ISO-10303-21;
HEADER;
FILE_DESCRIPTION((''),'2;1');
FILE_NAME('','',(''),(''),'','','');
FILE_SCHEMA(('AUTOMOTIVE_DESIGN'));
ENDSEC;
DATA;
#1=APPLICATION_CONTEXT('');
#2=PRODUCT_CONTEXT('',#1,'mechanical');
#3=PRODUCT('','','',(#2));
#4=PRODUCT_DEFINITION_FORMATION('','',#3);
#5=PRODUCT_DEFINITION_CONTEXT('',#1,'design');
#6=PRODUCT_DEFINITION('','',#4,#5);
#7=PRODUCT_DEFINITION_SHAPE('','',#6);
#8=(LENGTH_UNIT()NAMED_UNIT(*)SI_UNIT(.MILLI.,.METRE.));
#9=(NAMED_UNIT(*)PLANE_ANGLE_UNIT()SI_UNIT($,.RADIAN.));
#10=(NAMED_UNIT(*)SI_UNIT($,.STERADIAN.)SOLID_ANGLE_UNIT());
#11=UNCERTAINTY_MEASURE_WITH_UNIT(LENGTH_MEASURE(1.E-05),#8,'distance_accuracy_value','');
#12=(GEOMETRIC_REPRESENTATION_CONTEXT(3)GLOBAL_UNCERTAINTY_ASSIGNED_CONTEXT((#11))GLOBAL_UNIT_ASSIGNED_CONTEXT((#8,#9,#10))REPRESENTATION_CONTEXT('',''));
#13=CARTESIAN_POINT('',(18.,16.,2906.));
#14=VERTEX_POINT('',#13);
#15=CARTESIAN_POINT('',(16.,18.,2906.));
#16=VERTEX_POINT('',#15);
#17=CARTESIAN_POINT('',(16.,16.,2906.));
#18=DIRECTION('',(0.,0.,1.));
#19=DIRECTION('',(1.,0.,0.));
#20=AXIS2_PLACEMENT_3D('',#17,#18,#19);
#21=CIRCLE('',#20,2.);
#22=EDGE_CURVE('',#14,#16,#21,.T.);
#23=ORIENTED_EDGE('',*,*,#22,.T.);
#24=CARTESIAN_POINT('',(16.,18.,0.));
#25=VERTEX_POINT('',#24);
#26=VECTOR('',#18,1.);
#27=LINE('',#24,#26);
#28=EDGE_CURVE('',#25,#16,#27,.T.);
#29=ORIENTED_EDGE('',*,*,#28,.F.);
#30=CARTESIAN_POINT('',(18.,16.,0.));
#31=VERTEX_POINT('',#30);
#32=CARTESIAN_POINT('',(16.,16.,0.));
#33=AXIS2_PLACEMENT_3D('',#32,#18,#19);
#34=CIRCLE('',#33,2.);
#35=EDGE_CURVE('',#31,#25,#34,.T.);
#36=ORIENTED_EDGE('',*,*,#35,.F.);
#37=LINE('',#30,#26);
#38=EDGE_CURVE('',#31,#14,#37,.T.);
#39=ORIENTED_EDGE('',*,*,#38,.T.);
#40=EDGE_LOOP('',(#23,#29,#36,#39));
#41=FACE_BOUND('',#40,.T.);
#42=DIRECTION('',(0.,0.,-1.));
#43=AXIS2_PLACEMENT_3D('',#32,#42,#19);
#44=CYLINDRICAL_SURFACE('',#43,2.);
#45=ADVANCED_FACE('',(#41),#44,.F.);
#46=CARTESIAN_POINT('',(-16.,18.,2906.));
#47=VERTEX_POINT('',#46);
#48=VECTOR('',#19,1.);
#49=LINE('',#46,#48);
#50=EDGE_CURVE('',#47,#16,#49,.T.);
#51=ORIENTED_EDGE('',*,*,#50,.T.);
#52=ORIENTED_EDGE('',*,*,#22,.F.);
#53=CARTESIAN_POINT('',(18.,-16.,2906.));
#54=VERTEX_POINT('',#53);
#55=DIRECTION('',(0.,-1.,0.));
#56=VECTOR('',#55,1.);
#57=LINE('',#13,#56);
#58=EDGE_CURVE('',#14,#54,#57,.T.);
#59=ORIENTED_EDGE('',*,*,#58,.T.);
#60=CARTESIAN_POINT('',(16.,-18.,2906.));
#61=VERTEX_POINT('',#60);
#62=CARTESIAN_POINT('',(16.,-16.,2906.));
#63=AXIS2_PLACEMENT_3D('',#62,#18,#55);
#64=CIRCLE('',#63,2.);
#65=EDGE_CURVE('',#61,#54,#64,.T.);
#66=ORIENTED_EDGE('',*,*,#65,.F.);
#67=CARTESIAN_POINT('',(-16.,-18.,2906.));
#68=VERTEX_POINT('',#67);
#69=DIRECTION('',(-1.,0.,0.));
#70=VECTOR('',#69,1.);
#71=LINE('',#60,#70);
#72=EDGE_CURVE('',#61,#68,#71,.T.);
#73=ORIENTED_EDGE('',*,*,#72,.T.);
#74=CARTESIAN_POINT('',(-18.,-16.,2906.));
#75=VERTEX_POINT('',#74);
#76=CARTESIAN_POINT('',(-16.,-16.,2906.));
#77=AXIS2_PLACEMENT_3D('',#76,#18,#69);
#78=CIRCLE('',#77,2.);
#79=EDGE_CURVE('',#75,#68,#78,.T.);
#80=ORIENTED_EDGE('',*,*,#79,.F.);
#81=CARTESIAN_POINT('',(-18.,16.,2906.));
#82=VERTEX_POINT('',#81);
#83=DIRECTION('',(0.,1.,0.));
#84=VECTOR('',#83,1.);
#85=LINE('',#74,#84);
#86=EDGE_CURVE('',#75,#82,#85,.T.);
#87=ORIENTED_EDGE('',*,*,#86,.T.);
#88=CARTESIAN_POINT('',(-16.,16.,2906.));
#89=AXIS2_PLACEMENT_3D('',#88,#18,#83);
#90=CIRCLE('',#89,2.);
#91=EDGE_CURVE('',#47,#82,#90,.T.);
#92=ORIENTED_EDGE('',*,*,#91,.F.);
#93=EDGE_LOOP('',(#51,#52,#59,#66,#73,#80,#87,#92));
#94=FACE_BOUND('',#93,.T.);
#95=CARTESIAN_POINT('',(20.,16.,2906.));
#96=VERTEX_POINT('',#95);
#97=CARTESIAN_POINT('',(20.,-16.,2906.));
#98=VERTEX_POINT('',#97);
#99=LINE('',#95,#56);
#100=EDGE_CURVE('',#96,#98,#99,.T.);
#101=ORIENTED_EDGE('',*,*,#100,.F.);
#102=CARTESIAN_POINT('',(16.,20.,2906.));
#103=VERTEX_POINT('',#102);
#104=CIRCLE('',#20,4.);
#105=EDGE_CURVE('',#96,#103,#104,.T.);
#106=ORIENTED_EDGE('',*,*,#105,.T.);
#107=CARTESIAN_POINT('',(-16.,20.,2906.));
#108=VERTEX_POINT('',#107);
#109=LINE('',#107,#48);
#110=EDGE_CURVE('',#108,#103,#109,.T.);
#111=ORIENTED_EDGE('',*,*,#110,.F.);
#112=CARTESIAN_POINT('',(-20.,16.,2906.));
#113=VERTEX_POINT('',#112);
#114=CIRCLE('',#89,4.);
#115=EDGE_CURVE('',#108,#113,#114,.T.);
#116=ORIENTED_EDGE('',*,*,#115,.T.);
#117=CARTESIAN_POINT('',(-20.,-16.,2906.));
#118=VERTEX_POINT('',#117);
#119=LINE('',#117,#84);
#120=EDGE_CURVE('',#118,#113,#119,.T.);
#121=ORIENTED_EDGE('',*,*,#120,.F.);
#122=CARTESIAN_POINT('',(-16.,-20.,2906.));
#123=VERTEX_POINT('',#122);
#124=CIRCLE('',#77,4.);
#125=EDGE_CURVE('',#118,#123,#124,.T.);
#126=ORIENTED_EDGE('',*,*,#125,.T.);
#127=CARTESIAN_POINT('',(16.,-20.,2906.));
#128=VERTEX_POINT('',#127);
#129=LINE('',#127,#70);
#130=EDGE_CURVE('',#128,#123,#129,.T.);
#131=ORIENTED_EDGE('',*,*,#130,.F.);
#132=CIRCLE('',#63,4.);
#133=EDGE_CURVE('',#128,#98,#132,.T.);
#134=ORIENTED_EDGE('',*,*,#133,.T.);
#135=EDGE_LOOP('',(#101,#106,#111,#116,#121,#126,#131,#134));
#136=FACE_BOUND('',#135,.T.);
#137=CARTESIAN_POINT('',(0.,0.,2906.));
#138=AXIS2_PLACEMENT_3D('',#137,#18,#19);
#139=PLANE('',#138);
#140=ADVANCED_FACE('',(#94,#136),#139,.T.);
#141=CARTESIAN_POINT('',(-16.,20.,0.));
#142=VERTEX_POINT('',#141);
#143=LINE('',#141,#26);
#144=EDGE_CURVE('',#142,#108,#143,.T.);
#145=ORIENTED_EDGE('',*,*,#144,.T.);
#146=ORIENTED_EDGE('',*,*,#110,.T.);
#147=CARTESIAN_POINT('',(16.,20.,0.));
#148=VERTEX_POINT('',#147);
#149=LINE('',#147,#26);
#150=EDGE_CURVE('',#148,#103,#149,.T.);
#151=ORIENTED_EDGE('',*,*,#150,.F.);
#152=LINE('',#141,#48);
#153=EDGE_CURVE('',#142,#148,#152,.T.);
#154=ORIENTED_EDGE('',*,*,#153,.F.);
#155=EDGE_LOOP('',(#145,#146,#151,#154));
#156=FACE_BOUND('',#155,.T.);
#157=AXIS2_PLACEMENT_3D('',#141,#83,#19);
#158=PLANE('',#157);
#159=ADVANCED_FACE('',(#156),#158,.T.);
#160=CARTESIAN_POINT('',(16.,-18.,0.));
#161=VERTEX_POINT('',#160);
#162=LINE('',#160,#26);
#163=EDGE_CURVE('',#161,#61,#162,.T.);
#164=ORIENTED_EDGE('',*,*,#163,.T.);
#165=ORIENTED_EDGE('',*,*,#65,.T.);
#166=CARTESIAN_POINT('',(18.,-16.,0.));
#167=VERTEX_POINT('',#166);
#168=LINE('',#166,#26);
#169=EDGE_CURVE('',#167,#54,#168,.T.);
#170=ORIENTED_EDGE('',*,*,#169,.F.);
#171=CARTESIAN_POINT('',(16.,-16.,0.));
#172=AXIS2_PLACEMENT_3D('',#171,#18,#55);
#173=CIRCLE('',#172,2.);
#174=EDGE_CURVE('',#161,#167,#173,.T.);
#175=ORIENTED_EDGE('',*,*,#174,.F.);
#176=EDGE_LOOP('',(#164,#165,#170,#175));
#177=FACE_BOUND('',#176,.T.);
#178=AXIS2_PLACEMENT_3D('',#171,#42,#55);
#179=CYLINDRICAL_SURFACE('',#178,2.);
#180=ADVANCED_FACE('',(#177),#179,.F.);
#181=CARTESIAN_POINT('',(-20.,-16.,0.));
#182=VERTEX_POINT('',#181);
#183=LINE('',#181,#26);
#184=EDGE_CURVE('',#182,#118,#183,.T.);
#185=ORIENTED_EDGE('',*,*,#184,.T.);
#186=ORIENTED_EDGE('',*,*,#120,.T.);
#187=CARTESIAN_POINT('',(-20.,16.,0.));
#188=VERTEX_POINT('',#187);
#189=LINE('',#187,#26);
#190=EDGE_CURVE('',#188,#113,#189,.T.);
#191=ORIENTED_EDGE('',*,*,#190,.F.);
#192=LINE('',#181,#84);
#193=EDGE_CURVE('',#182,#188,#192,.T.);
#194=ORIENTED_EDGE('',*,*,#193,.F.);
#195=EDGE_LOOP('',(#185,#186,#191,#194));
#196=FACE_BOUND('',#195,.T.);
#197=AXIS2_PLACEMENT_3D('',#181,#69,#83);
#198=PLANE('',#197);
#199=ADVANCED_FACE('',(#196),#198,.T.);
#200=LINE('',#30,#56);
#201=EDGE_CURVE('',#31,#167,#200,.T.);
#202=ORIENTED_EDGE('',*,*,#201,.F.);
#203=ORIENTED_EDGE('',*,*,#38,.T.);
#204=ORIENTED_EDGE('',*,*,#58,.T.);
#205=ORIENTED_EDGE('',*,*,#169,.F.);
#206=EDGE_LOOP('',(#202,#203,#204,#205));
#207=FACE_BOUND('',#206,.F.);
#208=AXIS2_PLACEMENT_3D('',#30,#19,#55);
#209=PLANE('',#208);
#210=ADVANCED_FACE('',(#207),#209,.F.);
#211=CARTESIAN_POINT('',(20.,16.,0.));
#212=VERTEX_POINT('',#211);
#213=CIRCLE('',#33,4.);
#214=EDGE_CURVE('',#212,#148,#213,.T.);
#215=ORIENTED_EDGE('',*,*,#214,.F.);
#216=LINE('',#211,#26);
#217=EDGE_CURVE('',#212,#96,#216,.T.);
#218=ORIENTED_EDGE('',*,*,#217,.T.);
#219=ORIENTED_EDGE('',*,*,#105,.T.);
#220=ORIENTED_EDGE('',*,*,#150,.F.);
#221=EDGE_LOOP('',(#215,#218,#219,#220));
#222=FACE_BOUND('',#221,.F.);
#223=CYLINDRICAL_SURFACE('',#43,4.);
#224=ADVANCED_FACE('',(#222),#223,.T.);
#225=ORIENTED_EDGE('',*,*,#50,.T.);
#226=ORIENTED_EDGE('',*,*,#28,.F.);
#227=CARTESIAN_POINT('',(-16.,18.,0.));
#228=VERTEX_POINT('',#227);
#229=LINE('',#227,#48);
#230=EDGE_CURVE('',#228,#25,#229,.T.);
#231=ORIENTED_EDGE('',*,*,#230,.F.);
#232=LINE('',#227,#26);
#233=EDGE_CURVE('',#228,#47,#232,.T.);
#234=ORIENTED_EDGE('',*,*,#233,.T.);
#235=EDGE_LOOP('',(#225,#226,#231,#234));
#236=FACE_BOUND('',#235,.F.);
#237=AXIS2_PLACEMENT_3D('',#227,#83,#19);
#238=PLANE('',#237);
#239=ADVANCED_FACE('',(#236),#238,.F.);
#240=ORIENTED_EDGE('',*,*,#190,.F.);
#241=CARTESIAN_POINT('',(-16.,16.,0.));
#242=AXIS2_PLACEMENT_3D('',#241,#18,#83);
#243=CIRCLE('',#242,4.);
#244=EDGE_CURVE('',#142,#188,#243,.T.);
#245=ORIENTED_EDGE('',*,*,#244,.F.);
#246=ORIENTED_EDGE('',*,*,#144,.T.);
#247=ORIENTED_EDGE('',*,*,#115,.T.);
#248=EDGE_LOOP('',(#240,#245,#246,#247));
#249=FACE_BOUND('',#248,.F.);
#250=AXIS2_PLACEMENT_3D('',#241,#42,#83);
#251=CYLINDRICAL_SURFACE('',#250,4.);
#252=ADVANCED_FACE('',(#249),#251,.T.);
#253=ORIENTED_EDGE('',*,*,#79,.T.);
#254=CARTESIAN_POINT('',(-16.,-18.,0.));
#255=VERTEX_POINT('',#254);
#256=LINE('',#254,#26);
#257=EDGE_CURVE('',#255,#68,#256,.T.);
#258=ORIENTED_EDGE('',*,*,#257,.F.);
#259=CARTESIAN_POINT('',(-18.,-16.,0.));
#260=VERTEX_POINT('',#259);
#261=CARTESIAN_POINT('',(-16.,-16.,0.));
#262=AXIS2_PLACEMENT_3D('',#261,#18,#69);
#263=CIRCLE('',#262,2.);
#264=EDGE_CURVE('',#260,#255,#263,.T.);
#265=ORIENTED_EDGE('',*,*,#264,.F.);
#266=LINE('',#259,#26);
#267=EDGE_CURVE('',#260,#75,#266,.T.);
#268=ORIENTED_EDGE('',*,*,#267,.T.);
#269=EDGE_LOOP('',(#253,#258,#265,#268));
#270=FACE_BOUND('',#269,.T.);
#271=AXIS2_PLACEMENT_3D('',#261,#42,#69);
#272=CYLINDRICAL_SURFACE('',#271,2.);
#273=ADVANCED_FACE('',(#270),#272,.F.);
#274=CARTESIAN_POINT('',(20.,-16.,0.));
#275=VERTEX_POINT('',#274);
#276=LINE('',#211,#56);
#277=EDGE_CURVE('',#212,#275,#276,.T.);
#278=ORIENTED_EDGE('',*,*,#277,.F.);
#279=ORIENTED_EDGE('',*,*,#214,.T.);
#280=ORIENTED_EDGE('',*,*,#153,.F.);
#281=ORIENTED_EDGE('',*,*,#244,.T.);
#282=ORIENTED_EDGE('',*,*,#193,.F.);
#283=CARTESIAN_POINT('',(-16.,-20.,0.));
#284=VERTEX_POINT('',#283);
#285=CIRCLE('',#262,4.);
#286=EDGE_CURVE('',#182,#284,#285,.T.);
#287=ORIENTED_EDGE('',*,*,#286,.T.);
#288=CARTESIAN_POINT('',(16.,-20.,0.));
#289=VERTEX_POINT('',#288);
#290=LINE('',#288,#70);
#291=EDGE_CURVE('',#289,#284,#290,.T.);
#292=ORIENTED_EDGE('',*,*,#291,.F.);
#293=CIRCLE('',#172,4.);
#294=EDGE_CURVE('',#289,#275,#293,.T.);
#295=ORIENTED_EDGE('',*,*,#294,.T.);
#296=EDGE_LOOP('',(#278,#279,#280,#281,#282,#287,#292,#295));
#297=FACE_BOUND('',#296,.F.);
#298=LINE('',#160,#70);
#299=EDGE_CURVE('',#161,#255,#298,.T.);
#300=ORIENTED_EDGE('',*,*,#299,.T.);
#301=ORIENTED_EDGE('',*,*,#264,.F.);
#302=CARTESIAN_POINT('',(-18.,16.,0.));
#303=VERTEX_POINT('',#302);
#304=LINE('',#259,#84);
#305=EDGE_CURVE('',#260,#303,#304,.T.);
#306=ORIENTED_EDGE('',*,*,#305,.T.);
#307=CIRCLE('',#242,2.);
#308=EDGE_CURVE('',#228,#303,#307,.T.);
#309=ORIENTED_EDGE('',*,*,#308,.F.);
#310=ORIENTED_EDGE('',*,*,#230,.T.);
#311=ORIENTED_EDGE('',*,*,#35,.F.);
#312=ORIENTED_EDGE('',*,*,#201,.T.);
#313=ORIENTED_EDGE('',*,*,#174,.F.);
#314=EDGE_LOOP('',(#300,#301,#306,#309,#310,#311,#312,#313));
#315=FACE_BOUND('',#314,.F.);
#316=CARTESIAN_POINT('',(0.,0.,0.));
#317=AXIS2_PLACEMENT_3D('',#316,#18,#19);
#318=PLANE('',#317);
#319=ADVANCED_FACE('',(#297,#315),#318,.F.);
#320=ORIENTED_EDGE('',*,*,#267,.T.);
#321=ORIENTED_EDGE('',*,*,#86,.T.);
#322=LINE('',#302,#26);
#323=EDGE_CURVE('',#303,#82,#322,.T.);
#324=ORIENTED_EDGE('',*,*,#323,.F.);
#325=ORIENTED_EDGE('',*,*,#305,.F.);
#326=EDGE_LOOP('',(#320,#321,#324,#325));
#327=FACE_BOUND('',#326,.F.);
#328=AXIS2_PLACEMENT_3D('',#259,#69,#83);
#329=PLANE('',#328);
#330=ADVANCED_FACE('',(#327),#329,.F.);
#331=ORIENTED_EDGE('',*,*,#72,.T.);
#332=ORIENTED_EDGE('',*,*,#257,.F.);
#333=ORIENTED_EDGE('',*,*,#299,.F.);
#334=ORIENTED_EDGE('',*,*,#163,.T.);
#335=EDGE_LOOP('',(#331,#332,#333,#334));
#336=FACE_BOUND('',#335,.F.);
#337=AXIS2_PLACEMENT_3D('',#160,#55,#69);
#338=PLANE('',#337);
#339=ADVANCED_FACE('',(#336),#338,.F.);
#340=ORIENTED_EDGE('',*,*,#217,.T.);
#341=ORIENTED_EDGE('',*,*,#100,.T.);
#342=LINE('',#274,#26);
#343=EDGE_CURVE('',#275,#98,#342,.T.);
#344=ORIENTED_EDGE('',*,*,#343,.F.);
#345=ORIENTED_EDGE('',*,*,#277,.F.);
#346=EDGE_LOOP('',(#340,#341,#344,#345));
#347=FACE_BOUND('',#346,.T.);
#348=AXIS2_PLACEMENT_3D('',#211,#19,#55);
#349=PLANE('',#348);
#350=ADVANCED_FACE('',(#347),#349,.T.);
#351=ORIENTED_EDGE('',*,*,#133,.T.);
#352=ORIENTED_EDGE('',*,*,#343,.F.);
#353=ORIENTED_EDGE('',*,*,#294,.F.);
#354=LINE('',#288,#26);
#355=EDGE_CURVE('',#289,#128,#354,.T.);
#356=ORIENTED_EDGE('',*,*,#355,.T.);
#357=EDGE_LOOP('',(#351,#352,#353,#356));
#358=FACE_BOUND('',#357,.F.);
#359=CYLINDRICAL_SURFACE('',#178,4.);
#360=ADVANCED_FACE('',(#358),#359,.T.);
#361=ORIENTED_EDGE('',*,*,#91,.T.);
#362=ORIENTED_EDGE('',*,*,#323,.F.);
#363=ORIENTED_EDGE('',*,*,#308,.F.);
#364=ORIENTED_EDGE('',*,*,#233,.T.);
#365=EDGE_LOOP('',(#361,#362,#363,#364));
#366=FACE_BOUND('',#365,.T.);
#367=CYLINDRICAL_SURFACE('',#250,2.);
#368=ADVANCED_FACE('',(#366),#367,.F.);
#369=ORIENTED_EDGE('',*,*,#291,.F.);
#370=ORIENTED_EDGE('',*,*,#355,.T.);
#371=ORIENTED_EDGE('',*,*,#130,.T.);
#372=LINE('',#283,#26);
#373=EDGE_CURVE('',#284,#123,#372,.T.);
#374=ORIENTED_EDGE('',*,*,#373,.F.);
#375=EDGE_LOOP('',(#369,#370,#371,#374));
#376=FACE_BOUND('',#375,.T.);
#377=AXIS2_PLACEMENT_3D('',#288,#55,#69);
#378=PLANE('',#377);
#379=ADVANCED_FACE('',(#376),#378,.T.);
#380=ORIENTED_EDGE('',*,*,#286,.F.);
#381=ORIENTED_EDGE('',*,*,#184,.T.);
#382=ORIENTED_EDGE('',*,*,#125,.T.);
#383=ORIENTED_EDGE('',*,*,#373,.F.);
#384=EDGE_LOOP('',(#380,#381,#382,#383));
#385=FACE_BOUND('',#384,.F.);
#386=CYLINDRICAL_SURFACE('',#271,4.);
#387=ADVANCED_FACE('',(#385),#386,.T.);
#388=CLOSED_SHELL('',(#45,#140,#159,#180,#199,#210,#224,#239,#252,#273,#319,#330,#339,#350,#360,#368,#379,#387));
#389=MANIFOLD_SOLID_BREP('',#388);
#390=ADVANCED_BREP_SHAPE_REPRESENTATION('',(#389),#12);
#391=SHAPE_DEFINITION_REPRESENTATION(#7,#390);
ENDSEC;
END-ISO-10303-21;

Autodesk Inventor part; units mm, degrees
ref_plane "YZ Plane" through (0, 0, 0) normal (1, 0, 0) x (0, 1, 0)
ref_plane "Start Plane" through (0, 0, 0) normal (0, 0, 1) x (1, 0, 0)
ref_plane "End Plane" through (0, 0, 2906) normal (0, 0, 1) x (1, 0, 0)
sketch "Sketch" plane through (0, 0, 0) normal (0, 0, 1) x (1, 0, 0)
  line L0 (-20, -16) -> (-20, 16)
  line L1 (-16, 20) -> (16, 20)
  line L2 (20, 16) -> (20, -16)
  line L3 (16, -20) -> (-16, -20)
  arc A0 (-20, -16) -> (-16, -20) centre (-16, -16) ccw
  arc A1 (20, 16) -> (16, 20) centre (16, 16) ccw
  arc A2 (-16, 20) -> (-20, 16) centre (-16, 16) ccw
  arc A3 (16, -20) -> (20, -16) centre (16, -16) ccw
  arc A4 (-16, 18) -> (-18, 16) centre (-16, 16) ccw
  line L4 (-16, 18) -> (16, 18)
  arc A5 (18, 16) -> (16, 18) centre (16, 16) ccw
  line L5 (18, 16) -> (18, -16)
  arc A6 (16, -18) -> (18, -16) centre (16, -16) ccw
  line L6 (16, -18) -> (-16, -18)
  arc A7 (-18, -16) -> (-16, -18) centre (-16, -16) ccw
  line L7 (-18, -16) -> (-18, 16)
  line L8 (0, 29.1598) -> (0, -29.1598) construction
  line L9 (-29.1598, 0) -> (29.1598, 0) construction
  dimension "d7" = 4
  dimension "d9" = 40
  dimension "d11" = 40
  dimension "d12" = 2
  dimension "d15" = 20
  dimension "d16" = 20
extrude "Body" add sketch "Sketch" along normal up to surface (2906 mm away) from surface at 0
sketch "Sketch3" plane through (0, 0, 0) normal (0, 0, 1) x (1, 0, 0)
  line L0 (0, 0) -> (10, 0)
ref_plane "Work Plane3" through (0, 0, 0) normal (0, -1, 0) x (1, 0, 0)
sketch "Sketch4" plane through (0, 0, 0) normal (0, -1, 0) x (1, 0, 0)
  line L0 (-2, 0) -> (12, 0) projected
  line L1 (-2, 2906) -> (12, 2906) projected
  dimension "d18" = 2906
equation "\"d7\" = G_IR"
equation "\"d9\" = G_W"
equation "\"d11\" = G_H"
equation "\"d12\" = G_T"
equation "\"d15\" = 0.5 * d9"
equation "\"d16\" = 0.5 * d11"
equation "\"d3\" = G_L"
equation "\"G_W\" = 40"
equation "\"G_H\" = 40"
equation "\"G_T\" = 2"
equation "\"G_IR\" = 4"
equation "\"G_L\" = d18"
equation "\"G_OFFSET_START\" = 0"
equation "\"G_OFFSET_END\" = 0"
equation "\"d14\" = G_OFFSET_END + B_L"
equation "\"B_L\" = 2906"
properties part number "ISO 4019 - 40x40x2 - 2906" material "Steel, Mild"
